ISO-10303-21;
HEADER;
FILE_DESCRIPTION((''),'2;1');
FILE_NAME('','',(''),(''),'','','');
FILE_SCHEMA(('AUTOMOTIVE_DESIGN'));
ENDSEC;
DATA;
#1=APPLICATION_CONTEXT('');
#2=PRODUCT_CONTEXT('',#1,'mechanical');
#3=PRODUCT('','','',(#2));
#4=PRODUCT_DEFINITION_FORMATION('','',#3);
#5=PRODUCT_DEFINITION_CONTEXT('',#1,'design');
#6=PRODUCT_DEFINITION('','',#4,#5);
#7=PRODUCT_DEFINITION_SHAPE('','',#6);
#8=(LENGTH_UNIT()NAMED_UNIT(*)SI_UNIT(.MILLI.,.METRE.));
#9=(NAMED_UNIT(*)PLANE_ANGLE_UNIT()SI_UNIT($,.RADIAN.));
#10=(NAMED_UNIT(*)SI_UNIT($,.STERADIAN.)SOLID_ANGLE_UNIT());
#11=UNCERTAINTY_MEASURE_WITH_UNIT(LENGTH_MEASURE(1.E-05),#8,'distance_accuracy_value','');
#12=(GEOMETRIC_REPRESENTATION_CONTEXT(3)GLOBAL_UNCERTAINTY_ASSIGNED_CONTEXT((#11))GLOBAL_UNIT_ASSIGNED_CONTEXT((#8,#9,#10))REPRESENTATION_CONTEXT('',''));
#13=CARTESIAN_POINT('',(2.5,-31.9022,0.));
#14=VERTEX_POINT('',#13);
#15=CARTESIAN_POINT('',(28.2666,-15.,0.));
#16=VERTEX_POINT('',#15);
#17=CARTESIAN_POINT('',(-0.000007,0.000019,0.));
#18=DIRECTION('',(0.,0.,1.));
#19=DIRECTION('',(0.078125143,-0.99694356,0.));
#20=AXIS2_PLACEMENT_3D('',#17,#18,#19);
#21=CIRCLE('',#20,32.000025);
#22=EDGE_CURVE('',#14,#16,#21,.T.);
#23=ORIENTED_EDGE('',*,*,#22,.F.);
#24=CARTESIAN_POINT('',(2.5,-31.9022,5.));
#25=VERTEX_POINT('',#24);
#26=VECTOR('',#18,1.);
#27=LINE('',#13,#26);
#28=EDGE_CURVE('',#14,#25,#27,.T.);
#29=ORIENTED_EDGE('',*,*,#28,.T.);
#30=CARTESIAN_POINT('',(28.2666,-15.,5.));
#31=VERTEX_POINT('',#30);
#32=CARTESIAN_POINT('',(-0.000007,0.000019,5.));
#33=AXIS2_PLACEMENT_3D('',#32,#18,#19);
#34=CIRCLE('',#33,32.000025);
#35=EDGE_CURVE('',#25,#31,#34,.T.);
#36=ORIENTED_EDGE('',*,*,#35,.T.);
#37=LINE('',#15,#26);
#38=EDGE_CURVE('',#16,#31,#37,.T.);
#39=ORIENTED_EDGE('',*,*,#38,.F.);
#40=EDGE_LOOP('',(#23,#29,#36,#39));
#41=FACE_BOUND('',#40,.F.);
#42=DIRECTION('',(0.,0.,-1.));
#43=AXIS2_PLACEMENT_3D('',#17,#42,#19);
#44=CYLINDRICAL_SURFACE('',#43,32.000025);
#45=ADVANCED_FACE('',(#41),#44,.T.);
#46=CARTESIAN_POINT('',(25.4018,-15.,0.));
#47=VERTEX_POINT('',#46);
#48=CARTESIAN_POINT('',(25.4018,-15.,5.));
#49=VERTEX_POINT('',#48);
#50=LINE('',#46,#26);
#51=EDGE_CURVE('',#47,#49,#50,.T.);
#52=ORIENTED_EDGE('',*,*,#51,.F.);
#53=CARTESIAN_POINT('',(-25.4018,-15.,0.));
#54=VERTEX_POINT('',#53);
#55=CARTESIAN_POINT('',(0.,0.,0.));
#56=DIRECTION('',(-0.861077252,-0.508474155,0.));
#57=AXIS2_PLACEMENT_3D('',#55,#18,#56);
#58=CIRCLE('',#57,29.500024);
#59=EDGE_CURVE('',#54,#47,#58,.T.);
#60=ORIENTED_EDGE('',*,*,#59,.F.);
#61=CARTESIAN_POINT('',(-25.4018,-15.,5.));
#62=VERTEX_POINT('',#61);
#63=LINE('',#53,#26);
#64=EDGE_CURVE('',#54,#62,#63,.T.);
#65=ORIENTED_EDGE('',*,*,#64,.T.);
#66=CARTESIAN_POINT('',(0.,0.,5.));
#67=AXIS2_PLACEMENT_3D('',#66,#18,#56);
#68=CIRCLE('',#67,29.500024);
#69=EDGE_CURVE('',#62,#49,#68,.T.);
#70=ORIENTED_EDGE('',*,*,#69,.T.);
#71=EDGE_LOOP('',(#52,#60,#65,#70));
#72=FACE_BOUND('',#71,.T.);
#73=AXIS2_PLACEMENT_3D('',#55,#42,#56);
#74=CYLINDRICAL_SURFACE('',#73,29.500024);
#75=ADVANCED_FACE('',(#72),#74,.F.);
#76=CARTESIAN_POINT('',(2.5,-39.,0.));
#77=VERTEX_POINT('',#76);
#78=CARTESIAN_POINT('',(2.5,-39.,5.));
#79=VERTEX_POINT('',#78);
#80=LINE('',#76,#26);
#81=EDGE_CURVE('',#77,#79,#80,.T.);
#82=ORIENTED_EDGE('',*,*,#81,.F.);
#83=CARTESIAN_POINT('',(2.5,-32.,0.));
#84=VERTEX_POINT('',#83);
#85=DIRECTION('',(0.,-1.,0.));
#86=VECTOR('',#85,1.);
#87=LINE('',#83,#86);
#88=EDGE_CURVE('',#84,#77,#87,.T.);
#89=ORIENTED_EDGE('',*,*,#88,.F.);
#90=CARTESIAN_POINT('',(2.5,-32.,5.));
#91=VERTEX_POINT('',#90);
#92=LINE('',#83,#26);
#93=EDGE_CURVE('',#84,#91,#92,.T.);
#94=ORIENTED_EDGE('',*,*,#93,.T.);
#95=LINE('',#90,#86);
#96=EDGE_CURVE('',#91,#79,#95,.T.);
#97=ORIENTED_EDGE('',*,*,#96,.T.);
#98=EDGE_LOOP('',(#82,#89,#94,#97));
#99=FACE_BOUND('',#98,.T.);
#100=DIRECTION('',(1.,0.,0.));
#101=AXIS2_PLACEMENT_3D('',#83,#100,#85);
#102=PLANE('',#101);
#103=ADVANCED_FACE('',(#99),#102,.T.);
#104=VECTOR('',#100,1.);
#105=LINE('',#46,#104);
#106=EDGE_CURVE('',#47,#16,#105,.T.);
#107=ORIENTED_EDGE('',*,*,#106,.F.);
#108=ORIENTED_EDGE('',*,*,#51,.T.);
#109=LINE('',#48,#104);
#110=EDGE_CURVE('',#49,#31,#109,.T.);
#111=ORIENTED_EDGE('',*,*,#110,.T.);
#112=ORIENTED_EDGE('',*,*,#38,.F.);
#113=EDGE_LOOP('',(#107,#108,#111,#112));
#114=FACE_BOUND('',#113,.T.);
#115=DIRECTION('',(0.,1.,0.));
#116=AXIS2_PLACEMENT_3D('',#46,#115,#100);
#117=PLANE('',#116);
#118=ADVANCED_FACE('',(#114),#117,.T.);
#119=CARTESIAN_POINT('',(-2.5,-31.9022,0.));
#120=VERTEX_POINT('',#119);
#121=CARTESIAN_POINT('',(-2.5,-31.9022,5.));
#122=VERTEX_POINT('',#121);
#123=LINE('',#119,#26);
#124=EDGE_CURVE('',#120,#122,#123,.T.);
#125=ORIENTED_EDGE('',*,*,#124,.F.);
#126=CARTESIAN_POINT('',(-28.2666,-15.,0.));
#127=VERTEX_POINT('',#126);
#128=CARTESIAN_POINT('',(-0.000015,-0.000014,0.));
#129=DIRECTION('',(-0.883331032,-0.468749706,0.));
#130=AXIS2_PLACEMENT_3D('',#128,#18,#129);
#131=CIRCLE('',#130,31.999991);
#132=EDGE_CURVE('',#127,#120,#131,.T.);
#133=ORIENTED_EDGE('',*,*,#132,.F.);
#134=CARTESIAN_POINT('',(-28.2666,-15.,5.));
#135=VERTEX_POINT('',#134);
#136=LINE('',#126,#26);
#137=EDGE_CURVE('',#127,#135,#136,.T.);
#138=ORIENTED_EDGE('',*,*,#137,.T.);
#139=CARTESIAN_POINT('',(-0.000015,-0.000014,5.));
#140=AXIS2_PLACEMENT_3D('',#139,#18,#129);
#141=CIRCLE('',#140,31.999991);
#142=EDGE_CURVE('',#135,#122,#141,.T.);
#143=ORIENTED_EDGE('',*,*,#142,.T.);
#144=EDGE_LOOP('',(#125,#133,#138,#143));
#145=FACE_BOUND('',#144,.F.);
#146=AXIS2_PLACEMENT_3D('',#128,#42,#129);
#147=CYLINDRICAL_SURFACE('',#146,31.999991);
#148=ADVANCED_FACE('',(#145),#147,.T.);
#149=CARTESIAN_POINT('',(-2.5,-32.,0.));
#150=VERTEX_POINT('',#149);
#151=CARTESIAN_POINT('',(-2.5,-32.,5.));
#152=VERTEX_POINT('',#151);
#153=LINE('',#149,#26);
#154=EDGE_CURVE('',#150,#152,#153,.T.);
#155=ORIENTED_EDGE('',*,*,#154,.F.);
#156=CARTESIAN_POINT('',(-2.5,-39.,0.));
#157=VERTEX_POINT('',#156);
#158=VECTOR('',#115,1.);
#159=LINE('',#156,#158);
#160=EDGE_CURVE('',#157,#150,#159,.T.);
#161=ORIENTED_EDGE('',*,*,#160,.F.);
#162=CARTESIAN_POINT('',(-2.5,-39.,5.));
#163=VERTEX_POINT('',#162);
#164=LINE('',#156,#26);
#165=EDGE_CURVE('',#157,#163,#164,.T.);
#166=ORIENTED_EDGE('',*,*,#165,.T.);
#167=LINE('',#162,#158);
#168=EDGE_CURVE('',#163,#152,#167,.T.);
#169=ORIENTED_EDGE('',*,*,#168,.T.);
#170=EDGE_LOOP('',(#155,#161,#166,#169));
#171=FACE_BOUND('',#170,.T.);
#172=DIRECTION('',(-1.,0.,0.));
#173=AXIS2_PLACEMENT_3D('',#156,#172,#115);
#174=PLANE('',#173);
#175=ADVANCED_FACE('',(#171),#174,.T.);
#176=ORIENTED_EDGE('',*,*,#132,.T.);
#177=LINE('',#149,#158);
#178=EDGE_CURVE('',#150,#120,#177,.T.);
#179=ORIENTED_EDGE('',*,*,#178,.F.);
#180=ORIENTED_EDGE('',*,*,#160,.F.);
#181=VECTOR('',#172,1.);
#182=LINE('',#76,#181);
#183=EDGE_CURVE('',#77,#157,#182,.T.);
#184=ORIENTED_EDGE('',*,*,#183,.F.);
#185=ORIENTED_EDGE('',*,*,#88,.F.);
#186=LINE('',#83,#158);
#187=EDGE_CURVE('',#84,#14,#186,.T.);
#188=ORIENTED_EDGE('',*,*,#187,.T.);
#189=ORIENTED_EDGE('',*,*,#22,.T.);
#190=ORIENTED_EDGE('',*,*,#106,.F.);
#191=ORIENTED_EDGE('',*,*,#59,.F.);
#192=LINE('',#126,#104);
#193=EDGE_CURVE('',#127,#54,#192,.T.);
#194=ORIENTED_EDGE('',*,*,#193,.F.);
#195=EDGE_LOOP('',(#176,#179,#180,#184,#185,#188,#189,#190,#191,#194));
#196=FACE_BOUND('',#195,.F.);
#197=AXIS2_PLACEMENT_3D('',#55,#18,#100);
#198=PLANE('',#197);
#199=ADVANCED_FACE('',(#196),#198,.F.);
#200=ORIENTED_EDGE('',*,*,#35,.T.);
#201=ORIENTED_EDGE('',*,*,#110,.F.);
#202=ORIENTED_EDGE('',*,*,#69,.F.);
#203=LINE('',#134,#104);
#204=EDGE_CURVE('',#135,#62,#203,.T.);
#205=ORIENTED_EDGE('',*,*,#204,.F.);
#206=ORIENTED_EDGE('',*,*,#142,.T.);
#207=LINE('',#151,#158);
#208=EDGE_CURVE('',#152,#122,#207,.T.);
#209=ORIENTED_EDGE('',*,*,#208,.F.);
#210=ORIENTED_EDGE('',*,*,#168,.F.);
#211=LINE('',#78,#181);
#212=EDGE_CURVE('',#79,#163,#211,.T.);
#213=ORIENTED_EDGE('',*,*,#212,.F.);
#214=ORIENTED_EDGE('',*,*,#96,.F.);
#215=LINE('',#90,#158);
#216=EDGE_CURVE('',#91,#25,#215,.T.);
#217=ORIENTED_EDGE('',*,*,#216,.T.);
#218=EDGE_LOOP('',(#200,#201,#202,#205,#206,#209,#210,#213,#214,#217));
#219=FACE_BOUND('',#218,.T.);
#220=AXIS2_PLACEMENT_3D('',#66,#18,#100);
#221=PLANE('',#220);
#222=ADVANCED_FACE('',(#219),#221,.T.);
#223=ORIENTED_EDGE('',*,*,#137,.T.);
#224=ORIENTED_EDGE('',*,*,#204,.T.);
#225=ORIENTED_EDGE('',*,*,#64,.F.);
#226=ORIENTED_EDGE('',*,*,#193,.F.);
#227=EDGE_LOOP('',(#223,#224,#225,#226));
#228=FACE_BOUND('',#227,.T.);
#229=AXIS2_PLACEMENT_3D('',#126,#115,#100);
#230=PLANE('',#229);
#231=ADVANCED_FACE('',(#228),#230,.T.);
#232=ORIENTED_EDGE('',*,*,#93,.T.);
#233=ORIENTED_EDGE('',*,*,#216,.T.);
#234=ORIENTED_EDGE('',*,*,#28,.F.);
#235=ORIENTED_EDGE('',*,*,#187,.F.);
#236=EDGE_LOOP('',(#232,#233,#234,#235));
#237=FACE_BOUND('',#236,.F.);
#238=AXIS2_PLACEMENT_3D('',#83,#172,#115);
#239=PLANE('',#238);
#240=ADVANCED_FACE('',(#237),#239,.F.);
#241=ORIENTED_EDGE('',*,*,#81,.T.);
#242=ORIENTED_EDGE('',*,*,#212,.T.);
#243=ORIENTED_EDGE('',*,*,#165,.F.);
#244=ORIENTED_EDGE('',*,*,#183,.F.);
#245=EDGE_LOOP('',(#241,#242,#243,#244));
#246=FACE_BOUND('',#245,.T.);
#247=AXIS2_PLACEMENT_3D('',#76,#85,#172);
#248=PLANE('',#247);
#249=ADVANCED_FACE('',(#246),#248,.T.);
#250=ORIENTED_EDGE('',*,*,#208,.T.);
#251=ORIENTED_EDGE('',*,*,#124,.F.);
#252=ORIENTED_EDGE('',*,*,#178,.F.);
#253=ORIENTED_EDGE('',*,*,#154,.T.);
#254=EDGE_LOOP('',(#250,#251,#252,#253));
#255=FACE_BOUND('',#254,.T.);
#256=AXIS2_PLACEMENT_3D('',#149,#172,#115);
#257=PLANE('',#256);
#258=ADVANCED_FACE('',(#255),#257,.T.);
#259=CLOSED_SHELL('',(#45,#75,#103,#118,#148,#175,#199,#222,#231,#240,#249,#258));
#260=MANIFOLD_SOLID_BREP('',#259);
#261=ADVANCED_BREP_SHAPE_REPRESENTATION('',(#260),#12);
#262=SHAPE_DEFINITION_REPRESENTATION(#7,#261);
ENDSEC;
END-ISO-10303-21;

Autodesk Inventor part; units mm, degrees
ref_plane "YZ Plane" through (0, 0, 0) normal (1, 0, 0) x (0, 1, 0)
ref_plane "XZ Plane" through (0, 0, 0) normal (0, 1, 0) x (-1, 0, 0)
ref_plane "XY Plane" through (0, 0, 0) normal (0, 0, 1) x (1, 0, 0)
sketch "Sketch1" plane through (0, 0, 0) normal (0, 0, 1) x (1, 0, 0)
  arc A0 (-25.4018, -15) -> (25.4018, -15) centre (0, 0) ccw
  line L0 (2.5, -32) -> (2.5, -39)
  line L1 (2.5, -39) -> (-2.5, -39)
  line L2 (-2.5, -39) -> (-2.5, -32)
  line L3 (-2.5, -32) -> (-2.5, -31.9022)
  line L4 (2.5, -32) -> (2.5, -31.9022)
  arc A1 (-28.2666, -15) -> (-2.5, -31.9022) centre (0, 0) ccw
  arc A2 (2.5, -31.9022) -> (28.2666, -15) centre (0, 0) ccw
  line L5 (-28.2666, -15) -> (-25.4018, -15)
  line L6 (25.4018, -15) -> (28.2666, -15)
  dimension "d43" = 5
  dimension "d64" = 7
extrude "Extrusion5" add sketch "Sketch1" along normal blind 5
properties part number "Clip_TestFitV1"
